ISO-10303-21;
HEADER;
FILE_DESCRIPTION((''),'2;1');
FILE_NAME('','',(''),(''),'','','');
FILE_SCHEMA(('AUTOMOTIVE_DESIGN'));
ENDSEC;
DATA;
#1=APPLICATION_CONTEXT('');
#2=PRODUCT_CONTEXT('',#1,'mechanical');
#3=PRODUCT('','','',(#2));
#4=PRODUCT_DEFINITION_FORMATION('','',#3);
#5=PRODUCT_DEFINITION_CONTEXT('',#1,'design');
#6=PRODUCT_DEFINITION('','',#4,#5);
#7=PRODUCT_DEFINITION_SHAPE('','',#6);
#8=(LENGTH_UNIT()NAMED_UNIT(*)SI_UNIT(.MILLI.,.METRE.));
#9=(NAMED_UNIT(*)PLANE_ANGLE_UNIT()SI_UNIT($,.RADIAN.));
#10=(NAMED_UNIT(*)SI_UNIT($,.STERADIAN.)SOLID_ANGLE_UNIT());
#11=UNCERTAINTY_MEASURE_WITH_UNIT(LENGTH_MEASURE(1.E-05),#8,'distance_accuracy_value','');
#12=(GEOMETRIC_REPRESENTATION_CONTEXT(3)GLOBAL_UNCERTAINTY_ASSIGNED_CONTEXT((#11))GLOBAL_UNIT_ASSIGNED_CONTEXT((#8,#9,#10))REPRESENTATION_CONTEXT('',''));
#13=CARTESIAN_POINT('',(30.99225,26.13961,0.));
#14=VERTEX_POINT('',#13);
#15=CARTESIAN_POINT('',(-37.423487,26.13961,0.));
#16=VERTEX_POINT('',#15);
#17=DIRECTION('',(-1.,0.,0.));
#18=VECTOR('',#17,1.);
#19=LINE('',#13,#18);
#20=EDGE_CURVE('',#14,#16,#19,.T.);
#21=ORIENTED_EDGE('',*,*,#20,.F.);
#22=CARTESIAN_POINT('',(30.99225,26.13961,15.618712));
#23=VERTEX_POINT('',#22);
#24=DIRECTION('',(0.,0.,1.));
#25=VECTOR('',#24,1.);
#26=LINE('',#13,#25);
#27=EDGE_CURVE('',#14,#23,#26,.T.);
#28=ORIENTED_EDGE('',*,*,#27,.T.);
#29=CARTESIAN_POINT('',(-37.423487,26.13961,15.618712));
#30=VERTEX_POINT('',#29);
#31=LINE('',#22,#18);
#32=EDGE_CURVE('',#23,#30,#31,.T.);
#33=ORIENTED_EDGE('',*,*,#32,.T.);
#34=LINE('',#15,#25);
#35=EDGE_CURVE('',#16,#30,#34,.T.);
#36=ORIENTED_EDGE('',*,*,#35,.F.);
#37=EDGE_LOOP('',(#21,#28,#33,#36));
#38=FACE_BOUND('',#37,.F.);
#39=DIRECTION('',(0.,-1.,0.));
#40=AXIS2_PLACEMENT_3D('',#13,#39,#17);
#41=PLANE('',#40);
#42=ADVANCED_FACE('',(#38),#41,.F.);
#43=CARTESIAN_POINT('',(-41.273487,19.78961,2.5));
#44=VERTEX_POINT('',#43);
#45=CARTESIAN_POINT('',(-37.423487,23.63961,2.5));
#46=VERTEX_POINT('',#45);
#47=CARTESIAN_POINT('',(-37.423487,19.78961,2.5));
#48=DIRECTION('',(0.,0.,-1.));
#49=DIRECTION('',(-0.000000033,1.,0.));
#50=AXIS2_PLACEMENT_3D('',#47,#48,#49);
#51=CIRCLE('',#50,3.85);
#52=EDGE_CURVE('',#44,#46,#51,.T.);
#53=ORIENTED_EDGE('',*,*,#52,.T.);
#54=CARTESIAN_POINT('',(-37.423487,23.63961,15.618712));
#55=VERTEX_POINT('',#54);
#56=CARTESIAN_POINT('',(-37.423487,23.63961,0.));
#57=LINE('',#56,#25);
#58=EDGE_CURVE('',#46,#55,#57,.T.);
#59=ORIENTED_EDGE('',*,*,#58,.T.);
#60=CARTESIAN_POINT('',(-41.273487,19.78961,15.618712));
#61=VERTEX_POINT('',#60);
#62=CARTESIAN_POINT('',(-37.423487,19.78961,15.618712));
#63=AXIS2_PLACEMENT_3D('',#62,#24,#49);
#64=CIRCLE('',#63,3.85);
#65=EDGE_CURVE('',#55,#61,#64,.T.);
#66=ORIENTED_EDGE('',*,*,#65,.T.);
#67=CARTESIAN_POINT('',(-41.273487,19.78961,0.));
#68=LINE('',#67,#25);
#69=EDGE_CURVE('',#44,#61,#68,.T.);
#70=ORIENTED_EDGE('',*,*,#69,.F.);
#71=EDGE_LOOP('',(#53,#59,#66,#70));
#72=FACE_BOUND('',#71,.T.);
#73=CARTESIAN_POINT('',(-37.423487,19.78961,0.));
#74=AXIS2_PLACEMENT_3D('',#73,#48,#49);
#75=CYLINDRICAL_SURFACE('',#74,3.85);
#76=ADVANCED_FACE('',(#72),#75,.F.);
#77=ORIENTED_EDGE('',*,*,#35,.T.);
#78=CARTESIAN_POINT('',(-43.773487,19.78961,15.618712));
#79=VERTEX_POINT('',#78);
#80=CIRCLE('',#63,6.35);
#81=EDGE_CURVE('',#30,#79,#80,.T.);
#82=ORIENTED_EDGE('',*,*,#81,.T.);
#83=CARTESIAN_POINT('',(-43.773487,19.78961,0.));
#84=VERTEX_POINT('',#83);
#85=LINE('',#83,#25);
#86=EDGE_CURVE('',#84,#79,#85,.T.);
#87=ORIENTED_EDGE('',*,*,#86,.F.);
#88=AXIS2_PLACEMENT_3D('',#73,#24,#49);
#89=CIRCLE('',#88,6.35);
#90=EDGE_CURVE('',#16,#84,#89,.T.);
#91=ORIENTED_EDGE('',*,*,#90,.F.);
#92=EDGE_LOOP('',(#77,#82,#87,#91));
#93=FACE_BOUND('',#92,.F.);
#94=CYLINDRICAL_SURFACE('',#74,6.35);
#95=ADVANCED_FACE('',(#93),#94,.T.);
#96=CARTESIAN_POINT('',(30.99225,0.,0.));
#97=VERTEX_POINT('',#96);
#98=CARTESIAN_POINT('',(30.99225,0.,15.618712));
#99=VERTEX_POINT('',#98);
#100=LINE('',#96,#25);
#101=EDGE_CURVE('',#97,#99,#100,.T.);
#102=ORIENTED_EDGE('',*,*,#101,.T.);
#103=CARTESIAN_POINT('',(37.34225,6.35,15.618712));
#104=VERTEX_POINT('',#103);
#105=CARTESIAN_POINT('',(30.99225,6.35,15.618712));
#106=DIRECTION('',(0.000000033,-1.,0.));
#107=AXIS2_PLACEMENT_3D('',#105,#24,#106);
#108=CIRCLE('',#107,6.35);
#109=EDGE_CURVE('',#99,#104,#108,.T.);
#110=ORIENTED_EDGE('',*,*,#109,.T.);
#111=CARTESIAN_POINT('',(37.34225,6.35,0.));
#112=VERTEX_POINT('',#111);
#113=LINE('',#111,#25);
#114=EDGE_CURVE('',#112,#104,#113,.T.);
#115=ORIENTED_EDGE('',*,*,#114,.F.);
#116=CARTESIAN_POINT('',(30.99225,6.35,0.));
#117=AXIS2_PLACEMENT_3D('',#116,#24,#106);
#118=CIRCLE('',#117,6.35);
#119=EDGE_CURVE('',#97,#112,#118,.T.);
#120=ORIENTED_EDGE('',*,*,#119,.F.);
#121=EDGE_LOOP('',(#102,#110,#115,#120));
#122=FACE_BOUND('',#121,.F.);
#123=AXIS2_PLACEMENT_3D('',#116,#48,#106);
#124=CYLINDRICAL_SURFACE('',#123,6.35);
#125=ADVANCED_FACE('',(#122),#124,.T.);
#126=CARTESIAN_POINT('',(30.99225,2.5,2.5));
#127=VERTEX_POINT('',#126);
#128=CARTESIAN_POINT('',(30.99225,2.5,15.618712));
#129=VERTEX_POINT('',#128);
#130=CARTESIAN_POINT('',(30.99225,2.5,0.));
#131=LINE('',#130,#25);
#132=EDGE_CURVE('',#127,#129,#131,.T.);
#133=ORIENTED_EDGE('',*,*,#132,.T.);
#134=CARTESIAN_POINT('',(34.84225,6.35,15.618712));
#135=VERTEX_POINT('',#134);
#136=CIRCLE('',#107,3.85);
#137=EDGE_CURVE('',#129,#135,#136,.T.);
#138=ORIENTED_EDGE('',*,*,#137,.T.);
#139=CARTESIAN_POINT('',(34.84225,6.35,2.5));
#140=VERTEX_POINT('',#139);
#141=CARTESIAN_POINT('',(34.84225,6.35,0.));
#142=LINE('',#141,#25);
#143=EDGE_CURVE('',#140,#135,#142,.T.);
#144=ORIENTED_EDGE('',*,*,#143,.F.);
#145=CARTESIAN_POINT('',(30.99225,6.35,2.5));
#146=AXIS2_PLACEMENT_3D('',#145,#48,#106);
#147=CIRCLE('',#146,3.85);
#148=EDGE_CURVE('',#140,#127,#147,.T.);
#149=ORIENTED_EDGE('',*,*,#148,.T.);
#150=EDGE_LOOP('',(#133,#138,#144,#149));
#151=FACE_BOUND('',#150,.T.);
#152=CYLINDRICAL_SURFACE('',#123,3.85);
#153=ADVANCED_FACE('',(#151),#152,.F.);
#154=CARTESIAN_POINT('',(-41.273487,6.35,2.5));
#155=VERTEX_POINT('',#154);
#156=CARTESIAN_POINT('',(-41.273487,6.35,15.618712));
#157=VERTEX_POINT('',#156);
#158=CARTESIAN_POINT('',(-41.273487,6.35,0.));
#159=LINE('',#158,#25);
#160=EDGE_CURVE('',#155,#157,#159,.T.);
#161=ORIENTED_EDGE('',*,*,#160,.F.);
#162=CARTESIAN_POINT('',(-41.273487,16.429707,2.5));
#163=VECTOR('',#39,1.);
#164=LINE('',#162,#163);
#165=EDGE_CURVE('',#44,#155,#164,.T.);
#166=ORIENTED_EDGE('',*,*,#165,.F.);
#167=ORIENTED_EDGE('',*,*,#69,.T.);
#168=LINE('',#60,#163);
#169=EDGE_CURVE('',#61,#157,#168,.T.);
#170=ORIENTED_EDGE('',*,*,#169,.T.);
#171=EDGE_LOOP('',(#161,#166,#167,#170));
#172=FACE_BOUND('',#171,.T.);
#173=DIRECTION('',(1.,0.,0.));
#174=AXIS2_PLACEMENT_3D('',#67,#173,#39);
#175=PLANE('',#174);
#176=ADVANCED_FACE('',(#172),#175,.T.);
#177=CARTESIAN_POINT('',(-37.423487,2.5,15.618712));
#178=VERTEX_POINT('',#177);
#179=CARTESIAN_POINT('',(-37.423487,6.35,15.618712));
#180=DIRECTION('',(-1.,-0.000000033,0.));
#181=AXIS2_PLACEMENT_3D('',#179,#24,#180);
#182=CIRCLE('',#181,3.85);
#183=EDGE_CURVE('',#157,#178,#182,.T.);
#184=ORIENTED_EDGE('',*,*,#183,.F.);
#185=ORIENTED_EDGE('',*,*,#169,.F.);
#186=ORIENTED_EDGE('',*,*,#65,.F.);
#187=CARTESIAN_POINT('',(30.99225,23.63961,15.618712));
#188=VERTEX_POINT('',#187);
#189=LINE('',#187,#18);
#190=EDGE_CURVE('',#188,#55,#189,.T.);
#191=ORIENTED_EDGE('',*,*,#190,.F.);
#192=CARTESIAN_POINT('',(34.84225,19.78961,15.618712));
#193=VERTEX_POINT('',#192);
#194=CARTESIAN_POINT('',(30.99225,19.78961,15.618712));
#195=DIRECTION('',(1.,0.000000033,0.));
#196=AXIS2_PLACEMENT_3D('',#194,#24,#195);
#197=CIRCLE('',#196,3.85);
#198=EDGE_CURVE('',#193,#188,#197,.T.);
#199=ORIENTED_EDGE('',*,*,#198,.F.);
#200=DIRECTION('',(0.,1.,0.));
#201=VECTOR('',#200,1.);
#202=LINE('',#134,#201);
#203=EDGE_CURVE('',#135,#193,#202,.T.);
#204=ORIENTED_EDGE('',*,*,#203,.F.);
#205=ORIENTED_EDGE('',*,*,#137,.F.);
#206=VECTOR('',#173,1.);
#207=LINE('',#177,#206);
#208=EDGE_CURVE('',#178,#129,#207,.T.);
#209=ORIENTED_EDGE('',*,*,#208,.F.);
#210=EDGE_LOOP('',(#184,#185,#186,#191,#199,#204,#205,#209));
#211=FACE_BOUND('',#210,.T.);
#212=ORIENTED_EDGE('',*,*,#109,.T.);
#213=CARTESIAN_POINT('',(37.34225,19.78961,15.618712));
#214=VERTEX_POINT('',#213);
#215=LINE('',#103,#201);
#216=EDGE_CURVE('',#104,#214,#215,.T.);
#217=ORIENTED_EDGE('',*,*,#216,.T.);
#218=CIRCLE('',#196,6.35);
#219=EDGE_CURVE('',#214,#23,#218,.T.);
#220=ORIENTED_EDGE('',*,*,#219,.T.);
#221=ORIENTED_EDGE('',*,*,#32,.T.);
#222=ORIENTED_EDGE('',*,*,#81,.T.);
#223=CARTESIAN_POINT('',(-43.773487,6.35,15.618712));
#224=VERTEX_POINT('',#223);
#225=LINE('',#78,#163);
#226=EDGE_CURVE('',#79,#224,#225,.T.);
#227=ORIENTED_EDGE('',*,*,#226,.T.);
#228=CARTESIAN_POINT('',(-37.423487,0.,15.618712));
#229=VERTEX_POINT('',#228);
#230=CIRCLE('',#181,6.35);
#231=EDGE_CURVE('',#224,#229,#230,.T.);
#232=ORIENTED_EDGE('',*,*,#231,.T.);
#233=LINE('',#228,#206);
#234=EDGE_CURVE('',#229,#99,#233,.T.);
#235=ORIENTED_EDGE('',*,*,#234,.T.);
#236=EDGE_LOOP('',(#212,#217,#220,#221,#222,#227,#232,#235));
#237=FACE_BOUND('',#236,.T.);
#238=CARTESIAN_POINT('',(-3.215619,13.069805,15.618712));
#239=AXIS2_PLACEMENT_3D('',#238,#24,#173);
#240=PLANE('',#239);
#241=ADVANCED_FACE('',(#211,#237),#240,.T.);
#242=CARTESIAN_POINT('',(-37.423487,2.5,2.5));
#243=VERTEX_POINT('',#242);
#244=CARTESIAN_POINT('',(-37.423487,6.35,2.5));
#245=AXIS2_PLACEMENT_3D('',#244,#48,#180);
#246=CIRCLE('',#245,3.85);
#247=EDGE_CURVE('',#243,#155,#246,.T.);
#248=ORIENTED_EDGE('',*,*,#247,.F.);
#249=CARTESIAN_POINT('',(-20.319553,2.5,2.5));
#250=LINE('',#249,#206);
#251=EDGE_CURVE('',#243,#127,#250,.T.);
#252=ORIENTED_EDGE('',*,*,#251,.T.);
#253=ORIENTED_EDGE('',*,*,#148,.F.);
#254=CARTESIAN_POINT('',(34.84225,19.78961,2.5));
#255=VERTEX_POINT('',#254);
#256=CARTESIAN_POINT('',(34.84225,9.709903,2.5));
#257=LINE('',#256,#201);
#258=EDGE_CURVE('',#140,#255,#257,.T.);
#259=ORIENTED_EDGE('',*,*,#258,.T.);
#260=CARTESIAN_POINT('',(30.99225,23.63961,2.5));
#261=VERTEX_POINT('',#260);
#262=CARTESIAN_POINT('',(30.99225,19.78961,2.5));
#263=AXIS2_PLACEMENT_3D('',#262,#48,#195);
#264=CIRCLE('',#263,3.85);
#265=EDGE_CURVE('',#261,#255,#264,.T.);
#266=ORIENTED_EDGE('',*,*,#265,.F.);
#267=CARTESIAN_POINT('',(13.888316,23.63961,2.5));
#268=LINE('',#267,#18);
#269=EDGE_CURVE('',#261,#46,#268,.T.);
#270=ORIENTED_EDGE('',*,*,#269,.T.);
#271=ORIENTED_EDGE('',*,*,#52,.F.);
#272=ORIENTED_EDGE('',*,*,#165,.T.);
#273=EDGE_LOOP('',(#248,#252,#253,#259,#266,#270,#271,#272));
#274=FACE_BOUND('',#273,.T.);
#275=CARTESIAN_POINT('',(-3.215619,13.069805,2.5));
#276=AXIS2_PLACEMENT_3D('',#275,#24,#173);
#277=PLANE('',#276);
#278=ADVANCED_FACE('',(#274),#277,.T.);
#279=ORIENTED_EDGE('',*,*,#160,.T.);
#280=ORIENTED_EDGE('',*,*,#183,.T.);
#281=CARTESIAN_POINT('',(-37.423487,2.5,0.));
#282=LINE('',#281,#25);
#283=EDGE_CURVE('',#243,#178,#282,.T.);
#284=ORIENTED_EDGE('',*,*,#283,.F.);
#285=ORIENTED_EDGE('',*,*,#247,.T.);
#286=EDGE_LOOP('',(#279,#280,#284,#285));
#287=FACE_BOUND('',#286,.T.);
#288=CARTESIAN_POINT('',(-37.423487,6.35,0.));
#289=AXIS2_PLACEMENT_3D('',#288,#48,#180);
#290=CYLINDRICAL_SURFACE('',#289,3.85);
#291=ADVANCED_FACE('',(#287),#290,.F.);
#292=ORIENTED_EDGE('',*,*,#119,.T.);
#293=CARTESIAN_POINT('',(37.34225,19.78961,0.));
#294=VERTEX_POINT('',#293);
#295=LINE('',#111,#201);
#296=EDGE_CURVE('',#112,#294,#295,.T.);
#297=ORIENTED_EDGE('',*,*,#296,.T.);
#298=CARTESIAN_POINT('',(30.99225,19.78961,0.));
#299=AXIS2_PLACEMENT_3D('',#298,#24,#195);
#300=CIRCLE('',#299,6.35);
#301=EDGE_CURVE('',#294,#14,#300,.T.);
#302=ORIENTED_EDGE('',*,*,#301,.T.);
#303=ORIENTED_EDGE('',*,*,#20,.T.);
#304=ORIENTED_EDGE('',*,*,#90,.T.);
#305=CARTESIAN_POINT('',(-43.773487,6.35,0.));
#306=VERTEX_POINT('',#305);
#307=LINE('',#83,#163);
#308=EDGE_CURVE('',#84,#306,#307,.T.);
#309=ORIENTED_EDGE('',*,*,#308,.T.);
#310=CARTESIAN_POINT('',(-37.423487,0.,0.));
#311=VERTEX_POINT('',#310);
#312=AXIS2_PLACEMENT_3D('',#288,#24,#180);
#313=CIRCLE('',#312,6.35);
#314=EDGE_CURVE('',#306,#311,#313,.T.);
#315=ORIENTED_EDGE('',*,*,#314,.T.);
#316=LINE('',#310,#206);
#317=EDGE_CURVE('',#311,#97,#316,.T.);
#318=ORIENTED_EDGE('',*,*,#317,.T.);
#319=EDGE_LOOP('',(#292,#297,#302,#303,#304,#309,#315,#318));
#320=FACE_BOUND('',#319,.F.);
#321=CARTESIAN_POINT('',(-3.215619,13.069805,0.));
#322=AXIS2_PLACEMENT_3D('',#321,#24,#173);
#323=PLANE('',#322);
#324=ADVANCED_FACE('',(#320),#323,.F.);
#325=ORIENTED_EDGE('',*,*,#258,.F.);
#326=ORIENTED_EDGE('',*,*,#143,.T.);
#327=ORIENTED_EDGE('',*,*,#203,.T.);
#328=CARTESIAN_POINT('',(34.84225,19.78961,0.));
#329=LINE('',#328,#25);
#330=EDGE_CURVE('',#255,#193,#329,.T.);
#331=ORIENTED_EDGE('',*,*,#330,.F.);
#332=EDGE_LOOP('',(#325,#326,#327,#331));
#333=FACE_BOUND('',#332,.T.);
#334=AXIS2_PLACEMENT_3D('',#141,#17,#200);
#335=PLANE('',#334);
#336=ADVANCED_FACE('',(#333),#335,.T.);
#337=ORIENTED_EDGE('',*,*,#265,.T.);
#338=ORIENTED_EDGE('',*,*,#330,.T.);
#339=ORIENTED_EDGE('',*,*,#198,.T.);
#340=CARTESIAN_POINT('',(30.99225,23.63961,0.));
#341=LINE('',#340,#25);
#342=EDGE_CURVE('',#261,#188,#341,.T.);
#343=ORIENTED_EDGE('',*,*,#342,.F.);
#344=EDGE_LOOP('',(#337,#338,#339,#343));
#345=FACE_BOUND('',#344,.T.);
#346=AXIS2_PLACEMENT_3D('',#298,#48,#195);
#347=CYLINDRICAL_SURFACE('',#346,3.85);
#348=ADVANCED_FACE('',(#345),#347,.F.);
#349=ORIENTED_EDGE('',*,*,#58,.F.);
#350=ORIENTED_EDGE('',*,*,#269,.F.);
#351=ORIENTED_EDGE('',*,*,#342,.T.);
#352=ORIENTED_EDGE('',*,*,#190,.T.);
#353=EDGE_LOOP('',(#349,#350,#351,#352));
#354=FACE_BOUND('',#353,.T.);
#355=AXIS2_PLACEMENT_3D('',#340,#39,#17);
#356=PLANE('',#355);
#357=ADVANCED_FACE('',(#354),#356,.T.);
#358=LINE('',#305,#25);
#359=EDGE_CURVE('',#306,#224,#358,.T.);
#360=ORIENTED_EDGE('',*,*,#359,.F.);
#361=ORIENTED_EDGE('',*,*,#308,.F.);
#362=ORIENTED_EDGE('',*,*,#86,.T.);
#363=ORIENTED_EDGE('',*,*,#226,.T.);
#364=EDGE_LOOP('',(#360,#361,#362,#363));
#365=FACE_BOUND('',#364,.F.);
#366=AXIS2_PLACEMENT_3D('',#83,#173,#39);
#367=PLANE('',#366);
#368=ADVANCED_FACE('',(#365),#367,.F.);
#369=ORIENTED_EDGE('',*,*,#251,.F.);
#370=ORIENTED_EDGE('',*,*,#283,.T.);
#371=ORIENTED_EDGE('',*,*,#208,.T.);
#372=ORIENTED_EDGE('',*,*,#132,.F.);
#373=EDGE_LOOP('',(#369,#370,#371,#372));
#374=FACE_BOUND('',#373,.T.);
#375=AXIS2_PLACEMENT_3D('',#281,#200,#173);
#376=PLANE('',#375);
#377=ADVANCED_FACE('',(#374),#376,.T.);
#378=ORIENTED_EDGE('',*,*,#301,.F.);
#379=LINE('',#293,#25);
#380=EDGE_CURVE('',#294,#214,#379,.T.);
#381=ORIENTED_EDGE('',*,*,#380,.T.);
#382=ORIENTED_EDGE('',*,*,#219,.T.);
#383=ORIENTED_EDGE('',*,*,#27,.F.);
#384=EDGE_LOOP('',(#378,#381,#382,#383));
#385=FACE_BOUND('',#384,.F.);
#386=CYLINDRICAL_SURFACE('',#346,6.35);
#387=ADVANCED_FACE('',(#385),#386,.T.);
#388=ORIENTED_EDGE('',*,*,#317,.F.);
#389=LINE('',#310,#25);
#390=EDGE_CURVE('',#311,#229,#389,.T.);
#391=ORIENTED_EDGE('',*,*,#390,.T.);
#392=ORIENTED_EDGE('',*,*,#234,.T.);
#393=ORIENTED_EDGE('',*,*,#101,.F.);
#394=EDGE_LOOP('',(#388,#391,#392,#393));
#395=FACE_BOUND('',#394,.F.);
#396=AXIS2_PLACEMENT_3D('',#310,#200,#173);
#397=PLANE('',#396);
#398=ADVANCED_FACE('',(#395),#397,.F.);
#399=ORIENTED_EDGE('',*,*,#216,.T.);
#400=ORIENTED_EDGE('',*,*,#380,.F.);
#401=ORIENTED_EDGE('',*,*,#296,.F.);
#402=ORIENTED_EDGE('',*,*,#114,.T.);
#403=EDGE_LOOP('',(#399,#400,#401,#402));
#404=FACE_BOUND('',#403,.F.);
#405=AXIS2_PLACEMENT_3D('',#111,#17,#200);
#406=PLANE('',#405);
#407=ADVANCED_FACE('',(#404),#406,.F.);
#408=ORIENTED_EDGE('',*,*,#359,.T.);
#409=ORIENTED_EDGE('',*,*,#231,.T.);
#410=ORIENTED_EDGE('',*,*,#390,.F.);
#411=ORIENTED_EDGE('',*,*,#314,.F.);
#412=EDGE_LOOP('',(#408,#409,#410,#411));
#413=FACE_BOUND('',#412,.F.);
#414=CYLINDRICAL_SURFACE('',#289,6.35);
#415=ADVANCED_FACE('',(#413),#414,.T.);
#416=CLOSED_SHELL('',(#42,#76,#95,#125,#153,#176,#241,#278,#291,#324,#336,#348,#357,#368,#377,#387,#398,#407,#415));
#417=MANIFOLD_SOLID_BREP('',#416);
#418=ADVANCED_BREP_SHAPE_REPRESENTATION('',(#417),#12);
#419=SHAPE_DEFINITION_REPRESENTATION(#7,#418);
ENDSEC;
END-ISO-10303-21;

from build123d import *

# Parameters (mm, degrees)
F1_DEPTH = 15.618712
F2_T     = -2.5


with BuildPart() as f1:
    # F0 (on Top) → F1 (new body)
    with BuildSketch(Plane.XY):
        with BuildLine():
            ThreePointArc((37.34225, 19.78961), (35.482378, 24.279738), (30.99225, 26.13961))
            Line((30.99225, 26.13961), (-37.423487, 26.13961))
            ThreePointArc((-37.423487, 26.13961), (-41.913615, 24.279738), (-43.773487, 19.78961))
            Line((-43.773487, 19.78961), (-43.773487, 6.35))
            ThreePointArc((-43.773487, 6.35), (-41.913615, 1.859872), (-37.423487, 0))
            Line((-37.423487, 0), (30.99225, 0))
            ThreePointArc((30.99225, 0), (35.482378, 1.859872), (37.34225, 6.35))
            Line((37.34225, 6.35), (37.34225, 19.78961))
        make_face()
    extrude(amount=F1_DEPTH)

    # F2
    f2_openings = [f1.faces().sort_by_distance(p)[0] for p in [
        (-3.215618, 13.069805, 15.618712),
    ]]
    offset(amount=F2_T, openings=f2_openings)


solid = f1.part
